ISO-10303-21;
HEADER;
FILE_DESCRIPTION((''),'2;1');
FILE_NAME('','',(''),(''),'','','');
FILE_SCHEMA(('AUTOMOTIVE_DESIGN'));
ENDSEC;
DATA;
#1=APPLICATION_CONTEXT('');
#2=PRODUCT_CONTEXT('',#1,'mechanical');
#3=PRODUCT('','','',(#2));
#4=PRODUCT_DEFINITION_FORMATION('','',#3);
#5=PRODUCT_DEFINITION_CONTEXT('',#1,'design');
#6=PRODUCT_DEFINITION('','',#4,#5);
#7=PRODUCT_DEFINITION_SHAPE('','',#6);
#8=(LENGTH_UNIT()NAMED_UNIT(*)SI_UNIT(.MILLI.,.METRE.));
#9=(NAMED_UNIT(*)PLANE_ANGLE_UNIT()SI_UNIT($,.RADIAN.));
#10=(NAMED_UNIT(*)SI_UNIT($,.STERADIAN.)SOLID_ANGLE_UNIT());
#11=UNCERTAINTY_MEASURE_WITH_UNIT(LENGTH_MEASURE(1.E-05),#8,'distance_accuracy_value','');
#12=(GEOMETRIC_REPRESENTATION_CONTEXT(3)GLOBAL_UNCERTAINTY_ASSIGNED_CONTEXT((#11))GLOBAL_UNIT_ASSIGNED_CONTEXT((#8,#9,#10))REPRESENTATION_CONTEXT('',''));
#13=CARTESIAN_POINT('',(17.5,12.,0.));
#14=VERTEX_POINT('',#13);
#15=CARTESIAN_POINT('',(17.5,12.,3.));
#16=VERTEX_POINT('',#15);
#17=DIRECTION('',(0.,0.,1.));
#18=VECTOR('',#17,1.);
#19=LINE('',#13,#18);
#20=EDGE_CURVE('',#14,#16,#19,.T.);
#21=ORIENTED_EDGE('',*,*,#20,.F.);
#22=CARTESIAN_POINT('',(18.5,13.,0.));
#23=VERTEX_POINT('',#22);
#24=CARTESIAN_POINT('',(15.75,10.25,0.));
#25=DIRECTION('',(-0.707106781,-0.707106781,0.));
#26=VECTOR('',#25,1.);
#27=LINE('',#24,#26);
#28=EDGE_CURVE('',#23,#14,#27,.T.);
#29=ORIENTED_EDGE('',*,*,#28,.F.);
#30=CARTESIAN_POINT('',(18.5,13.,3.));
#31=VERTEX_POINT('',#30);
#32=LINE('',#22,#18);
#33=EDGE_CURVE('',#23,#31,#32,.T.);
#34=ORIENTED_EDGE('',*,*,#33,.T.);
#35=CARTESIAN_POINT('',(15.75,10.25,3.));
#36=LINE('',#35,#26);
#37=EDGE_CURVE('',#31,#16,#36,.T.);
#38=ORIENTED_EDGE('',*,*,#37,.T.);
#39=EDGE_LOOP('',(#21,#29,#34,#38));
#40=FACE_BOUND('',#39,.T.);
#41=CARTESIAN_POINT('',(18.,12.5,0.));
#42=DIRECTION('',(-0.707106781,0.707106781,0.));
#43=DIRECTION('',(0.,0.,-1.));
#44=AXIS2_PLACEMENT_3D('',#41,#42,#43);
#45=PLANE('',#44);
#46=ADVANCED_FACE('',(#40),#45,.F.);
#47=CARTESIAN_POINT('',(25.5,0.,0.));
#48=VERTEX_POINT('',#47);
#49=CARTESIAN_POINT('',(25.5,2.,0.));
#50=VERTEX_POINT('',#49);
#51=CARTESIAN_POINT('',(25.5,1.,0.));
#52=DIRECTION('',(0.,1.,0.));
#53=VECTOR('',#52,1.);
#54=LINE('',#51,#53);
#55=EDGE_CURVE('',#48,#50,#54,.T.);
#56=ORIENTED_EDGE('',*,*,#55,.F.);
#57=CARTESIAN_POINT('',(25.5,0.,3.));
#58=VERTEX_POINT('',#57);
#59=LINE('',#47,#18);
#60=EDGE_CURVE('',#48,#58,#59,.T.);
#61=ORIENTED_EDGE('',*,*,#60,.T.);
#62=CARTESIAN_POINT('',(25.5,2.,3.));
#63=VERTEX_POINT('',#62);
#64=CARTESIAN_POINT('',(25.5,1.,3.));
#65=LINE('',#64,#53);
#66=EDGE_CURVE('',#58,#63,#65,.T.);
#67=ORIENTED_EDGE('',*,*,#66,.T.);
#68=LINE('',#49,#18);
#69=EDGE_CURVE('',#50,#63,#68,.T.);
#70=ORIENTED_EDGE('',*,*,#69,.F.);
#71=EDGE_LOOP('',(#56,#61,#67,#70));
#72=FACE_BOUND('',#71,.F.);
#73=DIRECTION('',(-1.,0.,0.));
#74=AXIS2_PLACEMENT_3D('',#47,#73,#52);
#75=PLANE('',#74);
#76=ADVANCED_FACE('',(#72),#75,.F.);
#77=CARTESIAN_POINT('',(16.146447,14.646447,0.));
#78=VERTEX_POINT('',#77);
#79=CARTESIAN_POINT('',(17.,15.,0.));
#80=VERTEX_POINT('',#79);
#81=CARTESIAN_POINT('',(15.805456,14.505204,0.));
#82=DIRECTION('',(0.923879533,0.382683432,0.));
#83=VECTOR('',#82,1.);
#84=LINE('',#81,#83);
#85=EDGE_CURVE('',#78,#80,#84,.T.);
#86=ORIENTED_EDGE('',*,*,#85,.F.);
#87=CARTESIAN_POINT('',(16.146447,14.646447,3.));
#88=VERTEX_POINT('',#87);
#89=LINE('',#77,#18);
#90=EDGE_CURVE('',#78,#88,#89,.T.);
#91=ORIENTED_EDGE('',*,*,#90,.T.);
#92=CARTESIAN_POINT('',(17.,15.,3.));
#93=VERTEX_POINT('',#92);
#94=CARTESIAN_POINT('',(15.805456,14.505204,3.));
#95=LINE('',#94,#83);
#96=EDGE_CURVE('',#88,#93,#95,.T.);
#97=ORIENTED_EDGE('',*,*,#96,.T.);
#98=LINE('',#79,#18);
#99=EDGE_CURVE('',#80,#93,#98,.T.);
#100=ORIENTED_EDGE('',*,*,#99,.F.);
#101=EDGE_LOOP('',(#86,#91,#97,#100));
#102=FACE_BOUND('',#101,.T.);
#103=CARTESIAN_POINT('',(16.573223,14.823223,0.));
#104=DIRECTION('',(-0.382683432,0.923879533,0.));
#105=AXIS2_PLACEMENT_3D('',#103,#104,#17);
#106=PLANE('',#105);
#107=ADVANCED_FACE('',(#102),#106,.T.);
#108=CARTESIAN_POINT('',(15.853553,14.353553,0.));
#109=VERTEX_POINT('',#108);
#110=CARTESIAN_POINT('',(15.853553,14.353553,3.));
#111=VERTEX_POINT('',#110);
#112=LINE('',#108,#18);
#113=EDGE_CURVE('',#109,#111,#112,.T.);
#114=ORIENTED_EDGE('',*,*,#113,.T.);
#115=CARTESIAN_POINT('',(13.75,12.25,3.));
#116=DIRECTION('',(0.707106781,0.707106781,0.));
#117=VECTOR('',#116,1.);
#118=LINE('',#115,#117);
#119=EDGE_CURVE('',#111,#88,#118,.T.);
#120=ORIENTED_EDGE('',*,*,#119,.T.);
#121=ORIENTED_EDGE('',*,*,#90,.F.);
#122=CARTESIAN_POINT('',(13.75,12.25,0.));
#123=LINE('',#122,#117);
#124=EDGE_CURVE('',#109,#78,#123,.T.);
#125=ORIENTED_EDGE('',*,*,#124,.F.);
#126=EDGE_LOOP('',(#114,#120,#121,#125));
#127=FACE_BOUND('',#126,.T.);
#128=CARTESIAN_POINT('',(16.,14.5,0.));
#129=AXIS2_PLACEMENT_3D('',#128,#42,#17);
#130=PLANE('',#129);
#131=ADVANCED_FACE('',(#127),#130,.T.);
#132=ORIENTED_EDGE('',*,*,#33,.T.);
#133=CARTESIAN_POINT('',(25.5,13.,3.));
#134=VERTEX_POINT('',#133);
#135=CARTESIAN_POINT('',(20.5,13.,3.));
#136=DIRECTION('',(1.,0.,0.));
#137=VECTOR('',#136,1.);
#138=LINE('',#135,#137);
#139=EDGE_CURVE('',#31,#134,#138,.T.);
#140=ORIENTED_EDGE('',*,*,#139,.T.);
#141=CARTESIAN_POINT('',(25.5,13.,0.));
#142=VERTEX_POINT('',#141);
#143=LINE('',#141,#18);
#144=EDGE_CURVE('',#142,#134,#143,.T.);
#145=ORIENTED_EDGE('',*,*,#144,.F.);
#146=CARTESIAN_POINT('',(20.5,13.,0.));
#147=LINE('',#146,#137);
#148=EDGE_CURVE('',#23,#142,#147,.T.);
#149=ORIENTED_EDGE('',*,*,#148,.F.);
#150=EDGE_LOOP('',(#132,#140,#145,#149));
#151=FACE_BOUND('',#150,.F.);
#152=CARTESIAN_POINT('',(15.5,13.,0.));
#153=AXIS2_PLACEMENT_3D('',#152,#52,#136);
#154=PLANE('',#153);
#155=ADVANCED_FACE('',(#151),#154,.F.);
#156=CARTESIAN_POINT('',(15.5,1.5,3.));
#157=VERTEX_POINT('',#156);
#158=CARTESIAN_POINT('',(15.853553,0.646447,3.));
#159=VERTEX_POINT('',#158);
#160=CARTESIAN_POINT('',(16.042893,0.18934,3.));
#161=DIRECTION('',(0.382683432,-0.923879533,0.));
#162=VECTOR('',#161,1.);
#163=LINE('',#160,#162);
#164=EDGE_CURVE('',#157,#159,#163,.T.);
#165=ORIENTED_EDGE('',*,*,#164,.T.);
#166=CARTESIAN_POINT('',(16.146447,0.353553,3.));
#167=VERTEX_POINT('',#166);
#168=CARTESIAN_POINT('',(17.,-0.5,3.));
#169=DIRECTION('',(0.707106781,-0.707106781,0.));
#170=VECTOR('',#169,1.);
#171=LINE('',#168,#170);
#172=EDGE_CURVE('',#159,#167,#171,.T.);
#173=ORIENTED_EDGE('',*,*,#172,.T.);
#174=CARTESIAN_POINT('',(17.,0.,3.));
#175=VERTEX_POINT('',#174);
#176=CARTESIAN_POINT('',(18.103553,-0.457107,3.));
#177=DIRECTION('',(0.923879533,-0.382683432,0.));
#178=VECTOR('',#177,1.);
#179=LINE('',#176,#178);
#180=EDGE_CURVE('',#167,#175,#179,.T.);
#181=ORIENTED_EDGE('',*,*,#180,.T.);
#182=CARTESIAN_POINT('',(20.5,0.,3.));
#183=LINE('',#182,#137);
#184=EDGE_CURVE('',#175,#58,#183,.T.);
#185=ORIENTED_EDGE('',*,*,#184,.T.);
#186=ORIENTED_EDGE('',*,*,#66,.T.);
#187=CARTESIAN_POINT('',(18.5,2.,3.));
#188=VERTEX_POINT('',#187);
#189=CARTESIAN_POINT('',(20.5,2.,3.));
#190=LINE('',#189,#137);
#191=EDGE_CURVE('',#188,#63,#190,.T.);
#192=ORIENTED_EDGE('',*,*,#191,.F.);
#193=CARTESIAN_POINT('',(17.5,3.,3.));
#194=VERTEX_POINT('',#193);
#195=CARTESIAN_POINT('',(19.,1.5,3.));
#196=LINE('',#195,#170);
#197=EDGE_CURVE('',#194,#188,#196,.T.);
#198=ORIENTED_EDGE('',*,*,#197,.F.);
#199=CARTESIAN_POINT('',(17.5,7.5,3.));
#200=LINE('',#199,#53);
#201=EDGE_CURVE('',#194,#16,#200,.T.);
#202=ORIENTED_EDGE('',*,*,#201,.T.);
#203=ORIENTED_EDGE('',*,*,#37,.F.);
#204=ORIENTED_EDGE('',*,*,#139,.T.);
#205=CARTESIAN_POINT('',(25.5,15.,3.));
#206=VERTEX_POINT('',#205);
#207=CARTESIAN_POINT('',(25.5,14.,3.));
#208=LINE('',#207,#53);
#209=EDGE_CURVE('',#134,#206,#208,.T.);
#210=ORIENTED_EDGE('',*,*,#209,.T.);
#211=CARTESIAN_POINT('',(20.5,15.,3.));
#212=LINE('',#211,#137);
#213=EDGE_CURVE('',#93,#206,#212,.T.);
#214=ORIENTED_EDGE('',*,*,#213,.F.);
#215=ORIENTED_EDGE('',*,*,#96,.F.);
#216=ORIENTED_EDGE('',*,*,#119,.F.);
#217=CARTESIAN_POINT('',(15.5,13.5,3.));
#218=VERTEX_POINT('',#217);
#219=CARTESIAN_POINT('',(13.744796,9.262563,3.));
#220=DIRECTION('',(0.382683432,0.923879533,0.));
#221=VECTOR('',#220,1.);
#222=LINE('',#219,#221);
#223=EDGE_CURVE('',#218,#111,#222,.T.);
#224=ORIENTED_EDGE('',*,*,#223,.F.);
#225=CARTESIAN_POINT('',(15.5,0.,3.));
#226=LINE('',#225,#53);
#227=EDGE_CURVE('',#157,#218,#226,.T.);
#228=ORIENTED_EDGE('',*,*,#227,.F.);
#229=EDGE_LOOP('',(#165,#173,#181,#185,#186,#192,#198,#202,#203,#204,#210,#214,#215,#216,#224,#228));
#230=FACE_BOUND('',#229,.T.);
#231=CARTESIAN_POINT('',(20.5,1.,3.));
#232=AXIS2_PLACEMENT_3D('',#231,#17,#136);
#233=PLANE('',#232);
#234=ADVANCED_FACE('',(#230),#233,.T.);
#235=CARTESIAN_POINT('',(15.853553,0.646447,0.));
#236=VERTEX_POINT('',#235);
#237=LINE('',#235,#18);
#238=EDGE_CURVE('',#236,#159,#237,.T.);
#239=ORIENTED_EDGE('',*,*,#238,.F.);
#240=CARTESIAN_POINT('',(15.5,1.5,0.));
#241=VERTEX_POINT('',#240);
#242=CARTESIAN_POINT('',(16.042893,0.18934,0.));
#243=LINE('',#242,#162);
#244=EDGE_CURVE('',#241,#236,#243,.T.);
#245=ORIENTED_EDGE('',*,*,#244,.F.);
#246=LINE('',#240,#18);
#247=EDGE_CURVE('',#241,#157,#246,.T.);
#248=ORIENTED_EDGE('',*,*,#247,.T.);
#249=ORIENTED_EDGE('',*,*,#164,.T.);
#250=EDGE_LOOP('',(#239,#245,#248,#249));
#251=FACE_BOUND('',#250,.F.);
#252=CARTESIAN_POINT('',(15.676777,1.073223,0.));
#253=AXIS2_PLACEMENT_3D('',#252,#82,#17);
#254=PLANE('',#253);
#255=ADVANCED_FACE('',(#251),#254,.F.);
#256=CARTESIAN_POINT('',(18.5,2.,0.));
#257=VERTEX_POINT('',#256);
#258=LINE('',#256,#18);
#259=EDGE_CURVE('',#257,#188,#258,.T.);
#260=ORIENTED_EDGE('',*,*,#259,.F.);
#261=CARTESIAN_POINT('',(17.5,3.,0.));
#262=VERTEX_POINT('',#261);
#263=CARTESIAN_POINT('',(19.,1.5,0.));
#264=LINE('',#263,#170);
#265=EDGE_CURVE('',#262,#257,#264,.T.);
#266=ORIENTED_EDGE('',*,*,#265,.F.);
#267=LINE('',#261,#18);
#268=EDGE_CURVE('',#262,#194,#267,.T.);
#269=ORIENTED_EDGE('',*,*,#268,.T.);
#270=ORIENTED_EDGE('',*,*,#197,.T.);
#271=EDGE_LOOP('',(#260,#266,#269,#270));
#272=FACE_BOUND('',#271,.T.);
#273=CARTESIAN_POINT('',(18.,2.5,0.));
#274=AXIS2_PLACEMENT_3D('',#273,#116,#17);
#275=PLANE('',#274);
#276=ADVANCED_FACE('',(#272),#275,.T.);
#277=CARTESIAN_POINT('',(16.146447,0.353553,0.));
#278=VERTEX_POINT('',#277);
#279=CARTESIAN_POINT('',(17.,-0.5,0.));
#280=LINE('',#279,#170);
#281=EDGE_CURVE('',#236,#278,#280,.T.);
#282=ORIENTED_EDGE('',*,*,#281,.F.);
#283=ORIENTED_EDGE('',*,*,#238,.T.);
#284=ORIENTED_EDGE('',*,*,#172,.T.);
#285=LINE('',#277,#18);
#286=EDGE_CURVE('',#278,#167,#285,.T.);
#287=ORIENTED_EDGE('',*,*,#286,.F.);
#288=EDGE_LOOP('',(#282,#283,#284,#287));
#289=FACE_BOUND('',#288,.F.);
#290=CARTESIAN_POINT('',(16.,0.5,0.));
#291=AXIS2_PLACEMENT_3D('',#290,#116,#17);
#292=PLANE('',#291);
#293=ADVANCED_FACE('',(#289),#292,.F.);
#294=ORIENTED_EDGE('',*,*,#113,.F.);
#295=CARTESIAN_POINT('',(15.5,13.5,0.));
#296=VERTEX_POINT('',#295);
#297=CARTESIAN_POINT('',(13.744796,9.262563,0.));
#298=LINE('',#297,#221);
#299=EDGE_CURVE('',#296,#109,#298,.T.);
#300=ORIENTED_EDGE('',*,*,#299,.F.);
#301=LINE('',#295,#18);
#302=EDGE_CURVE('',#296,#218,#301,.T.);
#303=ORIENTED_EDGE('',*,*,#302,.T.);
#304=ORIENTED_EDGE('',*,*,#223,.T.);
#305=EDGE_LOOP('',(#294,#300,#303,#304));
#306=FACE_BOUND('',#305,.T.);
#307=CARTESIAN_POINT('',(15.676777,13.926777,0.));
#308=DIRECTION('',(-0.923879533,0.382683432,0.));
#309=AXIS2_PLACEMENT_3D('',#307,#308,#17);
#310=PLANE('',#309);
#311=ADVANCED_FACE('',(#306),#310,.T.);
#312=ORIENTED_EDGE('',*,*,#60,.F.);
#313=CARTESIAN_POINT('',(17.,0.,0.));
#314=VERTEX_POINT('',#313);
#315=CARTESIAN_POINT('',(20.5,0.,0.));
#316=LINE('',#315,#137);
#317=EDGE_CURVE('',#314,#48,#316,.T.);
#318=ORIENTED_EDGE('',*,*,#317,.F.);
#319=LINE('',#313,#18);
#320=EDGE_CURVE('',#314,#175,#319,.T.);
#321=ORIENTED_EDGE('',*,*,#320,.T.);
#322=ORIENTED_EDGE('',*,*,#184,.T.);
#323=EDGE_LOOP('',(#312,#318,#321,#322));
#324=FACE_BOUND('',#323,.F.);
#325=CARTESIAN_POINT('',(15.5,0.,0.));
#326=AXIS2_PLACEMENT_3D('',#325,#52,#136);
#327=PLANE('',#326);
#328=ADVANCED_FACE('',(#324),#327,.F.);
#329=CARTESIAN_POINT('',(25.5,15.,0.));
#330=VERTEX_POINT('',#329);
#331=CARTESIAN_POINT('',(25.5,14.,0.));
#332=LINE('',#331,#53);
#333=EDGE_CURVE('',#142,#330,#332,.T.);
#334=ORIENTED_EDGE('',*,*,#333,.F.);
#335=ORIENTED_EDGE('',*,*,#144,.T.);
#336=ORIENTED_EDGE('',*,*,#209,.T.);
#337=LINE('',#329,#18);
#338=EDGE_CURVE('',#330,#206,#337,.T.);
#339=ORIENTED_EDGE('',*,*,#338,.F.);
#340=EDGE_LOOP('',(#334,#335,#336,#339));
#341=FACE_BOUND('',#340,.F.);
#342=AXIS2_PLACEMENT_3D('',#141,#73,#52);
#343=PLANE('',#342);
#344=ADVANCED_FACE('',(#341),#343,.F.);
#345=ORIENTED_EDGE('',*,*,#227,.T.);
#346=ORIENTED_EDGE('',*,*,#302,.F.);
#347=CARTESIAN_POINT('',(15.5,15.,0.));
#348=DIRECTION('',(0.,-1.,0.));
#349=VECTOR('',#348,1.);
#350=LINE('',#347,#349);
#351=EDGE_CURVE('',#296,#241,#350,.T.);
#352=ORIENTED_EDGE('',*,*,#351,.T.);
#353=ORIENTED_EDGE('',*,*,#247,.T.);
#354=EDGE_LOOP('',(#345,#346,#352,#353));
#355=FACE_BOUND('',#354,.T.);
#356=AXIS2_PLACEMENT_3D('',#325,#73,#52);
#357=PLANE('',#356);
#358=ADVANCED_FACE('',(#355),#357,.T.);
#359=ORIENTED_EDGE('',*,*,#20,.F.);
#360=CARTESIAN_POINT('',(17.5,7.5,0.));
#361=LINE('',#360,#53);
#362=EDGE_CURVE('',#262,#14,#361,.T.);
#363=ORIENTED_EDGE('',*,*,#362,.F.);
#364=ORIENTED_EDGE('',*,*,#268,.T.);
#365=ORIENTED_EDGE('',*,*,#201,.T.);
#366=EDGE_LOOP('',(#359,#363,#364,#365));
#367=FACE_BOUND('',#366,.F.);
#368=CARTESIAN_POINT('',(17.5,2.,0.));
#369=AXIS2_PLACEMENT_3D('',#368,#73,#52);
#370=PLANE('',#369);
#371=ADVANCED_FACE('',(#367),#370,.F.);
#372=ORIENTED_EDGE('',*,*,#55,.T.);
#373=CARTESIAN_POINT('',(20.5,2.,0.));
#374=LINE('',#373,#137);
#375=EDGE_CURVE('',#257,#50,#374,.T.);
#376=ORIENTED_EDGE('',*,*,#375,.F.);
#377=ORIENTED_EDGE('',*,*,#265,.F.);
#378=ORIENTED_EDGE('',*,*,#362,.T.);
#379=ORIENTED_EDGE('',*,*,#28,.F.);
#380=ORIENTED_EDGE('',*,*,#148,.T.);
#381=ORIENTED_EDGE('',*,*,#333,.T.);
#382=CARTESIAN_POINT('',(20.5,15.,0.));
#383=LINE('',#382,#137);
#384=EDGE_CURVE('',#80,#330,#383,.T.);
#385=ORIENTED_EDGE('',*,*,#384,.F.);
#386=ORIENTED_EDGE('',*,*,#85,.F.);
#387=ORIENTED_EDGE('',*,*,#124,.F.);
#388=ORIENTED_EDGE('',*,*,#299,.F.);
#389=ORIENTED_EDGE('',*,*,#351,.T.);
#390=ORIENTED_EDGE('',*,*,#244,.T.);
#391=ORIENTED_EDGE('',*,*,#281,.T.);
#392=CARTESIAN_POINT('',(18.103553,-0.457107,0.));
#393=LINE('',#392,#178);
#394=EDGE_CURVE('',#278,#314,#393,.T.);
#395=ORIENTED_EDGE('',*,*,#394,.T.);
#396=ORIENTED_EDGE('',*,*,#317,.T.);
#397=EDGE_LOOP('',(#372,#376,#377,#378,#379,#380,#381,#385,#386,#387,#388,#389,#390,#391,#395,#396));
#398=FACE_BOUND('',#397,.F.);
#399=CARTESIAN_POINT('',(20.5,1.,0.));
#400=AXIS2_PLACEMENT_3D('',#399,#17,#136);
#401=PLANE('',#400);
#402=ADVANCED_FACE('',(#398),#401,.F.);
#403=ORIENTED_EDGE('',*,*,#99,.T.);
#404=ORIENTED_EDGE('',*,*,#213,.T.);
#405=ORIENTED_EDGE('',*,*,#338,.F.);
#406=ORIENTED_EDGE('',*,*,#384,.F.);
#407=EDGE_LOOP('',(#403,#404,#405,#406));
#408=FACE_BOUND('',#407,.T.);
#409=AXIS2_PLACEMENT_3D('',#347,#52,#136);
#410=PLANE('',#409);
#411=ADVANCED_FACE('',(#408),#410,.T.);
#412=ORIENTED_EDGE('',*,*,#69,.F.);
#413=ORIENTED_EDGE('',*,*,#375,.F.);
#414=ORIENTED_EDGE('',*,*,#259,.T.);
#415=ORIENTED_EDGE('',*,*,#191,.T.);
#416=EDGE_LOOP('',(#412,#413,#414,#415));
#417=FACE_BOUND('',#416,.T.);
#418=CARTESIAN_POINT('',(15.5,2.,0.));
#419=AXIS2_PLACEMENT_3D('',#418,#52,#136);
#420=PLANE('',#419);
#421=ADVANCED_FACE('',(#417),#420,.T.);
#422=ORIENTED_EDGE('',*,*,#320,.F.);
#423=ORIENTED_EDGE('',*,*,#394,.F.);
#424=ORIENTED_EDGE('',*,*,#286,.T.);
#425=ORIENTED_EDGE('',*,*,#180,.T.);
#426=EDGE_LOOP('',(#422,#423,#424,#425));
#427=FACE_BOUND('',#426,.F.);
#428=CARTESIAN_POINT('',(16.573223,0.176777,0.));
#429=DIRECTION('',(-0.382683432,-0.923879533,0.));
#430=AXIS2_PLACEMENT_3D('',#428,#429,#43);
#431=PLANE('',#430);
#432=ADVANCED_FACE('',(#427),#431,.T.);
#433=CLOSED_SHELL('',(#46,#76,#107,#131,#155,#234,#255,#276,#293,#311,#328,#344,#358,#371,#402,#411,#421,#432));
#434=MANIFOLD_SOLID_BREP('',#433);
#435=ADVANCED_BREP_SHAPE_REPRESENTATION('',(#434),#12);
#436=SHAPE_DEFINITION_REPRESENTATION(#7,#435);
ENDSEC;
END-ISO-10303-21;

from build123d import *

# Parameters (mm, degrees)
BOX003_W        = 10
BOX003_H        = 2
BOX003_DEPTH    = 3
BOX002_W        = 10
BOX002_H        = 2
BOX002_DEPTH    = 3
BOX004_W        = 2
BOX004_H        = 11
BOX004_DEPTH    = 3
CHAMFER002_SIZE = 1
CHAMFER003_SIZE = 0.5


with BuildPart() as cube003:
    # Box003 → Box003 (new body)
    with BuildSketch(Plane(origin=(15.5, 13, 0), x_dir=(1, 0, 0), z_dir=(0, 0, 1))):
        with Locations((5, 1)):
            Rectangle(BOX003_W, BOX003_H)
    extrude(amount=BOX003_DEPTH)


with BuildPart() as cube002:
    # Box002 → Box002 (new body)
    with BuildSketch(Plane(origin=(15.5, 0, 0), x_dir=(1, 0, 0), z_dir=(0, 0, 1))):
        with Locations((5, 1)):
            Rectangle(BOX002_W, BOX002_H)
    extrude(amount=BOX002_DEPTH)


with BuildPart() as chamfer003:
    # Box004 → Box004 (new body)
    with BuildSketch(Plane(origin=(15.5, 2, 0), x_dir=(1, 0, 0), z_dir=(0, 0, 1))):
        with Locations((1, 5.5)):
            Rectangle(BOX004_W, BOX004_H)
    extrude(amount=BOX004_DEPTH)

    # Fusion002: union Cube003, Cube002
    add(cube003.part)
    add(cube002.part)

    # Chamfer002
    chamfer002_edges = [chamfer003.edges().sort_by_distance(p)[0] for p in [
        (15.5, 0, 1.5),
        (15.5, 15, 1.5),
        (17.5, 2, 1.5),
        (17.5, 13, 1.5),
    ]]
    chamfer(chamfer002_edges, length=CHAMFER002_SIZE)

    # Chamfer003
    chamfer003_edges = [chamfer003.edges().sort_by_distance(p)[0] for p in [
        (15.5, 1, 1.5),
        (16.5, 0, 1.5),
        (15.5, 14, 1.5),
        (16.5, 15, 1.5),
    ]]
    chamfer(chamfer003_edges, length=CHAMFER003_SIZE)


solid = chamfer003.part
